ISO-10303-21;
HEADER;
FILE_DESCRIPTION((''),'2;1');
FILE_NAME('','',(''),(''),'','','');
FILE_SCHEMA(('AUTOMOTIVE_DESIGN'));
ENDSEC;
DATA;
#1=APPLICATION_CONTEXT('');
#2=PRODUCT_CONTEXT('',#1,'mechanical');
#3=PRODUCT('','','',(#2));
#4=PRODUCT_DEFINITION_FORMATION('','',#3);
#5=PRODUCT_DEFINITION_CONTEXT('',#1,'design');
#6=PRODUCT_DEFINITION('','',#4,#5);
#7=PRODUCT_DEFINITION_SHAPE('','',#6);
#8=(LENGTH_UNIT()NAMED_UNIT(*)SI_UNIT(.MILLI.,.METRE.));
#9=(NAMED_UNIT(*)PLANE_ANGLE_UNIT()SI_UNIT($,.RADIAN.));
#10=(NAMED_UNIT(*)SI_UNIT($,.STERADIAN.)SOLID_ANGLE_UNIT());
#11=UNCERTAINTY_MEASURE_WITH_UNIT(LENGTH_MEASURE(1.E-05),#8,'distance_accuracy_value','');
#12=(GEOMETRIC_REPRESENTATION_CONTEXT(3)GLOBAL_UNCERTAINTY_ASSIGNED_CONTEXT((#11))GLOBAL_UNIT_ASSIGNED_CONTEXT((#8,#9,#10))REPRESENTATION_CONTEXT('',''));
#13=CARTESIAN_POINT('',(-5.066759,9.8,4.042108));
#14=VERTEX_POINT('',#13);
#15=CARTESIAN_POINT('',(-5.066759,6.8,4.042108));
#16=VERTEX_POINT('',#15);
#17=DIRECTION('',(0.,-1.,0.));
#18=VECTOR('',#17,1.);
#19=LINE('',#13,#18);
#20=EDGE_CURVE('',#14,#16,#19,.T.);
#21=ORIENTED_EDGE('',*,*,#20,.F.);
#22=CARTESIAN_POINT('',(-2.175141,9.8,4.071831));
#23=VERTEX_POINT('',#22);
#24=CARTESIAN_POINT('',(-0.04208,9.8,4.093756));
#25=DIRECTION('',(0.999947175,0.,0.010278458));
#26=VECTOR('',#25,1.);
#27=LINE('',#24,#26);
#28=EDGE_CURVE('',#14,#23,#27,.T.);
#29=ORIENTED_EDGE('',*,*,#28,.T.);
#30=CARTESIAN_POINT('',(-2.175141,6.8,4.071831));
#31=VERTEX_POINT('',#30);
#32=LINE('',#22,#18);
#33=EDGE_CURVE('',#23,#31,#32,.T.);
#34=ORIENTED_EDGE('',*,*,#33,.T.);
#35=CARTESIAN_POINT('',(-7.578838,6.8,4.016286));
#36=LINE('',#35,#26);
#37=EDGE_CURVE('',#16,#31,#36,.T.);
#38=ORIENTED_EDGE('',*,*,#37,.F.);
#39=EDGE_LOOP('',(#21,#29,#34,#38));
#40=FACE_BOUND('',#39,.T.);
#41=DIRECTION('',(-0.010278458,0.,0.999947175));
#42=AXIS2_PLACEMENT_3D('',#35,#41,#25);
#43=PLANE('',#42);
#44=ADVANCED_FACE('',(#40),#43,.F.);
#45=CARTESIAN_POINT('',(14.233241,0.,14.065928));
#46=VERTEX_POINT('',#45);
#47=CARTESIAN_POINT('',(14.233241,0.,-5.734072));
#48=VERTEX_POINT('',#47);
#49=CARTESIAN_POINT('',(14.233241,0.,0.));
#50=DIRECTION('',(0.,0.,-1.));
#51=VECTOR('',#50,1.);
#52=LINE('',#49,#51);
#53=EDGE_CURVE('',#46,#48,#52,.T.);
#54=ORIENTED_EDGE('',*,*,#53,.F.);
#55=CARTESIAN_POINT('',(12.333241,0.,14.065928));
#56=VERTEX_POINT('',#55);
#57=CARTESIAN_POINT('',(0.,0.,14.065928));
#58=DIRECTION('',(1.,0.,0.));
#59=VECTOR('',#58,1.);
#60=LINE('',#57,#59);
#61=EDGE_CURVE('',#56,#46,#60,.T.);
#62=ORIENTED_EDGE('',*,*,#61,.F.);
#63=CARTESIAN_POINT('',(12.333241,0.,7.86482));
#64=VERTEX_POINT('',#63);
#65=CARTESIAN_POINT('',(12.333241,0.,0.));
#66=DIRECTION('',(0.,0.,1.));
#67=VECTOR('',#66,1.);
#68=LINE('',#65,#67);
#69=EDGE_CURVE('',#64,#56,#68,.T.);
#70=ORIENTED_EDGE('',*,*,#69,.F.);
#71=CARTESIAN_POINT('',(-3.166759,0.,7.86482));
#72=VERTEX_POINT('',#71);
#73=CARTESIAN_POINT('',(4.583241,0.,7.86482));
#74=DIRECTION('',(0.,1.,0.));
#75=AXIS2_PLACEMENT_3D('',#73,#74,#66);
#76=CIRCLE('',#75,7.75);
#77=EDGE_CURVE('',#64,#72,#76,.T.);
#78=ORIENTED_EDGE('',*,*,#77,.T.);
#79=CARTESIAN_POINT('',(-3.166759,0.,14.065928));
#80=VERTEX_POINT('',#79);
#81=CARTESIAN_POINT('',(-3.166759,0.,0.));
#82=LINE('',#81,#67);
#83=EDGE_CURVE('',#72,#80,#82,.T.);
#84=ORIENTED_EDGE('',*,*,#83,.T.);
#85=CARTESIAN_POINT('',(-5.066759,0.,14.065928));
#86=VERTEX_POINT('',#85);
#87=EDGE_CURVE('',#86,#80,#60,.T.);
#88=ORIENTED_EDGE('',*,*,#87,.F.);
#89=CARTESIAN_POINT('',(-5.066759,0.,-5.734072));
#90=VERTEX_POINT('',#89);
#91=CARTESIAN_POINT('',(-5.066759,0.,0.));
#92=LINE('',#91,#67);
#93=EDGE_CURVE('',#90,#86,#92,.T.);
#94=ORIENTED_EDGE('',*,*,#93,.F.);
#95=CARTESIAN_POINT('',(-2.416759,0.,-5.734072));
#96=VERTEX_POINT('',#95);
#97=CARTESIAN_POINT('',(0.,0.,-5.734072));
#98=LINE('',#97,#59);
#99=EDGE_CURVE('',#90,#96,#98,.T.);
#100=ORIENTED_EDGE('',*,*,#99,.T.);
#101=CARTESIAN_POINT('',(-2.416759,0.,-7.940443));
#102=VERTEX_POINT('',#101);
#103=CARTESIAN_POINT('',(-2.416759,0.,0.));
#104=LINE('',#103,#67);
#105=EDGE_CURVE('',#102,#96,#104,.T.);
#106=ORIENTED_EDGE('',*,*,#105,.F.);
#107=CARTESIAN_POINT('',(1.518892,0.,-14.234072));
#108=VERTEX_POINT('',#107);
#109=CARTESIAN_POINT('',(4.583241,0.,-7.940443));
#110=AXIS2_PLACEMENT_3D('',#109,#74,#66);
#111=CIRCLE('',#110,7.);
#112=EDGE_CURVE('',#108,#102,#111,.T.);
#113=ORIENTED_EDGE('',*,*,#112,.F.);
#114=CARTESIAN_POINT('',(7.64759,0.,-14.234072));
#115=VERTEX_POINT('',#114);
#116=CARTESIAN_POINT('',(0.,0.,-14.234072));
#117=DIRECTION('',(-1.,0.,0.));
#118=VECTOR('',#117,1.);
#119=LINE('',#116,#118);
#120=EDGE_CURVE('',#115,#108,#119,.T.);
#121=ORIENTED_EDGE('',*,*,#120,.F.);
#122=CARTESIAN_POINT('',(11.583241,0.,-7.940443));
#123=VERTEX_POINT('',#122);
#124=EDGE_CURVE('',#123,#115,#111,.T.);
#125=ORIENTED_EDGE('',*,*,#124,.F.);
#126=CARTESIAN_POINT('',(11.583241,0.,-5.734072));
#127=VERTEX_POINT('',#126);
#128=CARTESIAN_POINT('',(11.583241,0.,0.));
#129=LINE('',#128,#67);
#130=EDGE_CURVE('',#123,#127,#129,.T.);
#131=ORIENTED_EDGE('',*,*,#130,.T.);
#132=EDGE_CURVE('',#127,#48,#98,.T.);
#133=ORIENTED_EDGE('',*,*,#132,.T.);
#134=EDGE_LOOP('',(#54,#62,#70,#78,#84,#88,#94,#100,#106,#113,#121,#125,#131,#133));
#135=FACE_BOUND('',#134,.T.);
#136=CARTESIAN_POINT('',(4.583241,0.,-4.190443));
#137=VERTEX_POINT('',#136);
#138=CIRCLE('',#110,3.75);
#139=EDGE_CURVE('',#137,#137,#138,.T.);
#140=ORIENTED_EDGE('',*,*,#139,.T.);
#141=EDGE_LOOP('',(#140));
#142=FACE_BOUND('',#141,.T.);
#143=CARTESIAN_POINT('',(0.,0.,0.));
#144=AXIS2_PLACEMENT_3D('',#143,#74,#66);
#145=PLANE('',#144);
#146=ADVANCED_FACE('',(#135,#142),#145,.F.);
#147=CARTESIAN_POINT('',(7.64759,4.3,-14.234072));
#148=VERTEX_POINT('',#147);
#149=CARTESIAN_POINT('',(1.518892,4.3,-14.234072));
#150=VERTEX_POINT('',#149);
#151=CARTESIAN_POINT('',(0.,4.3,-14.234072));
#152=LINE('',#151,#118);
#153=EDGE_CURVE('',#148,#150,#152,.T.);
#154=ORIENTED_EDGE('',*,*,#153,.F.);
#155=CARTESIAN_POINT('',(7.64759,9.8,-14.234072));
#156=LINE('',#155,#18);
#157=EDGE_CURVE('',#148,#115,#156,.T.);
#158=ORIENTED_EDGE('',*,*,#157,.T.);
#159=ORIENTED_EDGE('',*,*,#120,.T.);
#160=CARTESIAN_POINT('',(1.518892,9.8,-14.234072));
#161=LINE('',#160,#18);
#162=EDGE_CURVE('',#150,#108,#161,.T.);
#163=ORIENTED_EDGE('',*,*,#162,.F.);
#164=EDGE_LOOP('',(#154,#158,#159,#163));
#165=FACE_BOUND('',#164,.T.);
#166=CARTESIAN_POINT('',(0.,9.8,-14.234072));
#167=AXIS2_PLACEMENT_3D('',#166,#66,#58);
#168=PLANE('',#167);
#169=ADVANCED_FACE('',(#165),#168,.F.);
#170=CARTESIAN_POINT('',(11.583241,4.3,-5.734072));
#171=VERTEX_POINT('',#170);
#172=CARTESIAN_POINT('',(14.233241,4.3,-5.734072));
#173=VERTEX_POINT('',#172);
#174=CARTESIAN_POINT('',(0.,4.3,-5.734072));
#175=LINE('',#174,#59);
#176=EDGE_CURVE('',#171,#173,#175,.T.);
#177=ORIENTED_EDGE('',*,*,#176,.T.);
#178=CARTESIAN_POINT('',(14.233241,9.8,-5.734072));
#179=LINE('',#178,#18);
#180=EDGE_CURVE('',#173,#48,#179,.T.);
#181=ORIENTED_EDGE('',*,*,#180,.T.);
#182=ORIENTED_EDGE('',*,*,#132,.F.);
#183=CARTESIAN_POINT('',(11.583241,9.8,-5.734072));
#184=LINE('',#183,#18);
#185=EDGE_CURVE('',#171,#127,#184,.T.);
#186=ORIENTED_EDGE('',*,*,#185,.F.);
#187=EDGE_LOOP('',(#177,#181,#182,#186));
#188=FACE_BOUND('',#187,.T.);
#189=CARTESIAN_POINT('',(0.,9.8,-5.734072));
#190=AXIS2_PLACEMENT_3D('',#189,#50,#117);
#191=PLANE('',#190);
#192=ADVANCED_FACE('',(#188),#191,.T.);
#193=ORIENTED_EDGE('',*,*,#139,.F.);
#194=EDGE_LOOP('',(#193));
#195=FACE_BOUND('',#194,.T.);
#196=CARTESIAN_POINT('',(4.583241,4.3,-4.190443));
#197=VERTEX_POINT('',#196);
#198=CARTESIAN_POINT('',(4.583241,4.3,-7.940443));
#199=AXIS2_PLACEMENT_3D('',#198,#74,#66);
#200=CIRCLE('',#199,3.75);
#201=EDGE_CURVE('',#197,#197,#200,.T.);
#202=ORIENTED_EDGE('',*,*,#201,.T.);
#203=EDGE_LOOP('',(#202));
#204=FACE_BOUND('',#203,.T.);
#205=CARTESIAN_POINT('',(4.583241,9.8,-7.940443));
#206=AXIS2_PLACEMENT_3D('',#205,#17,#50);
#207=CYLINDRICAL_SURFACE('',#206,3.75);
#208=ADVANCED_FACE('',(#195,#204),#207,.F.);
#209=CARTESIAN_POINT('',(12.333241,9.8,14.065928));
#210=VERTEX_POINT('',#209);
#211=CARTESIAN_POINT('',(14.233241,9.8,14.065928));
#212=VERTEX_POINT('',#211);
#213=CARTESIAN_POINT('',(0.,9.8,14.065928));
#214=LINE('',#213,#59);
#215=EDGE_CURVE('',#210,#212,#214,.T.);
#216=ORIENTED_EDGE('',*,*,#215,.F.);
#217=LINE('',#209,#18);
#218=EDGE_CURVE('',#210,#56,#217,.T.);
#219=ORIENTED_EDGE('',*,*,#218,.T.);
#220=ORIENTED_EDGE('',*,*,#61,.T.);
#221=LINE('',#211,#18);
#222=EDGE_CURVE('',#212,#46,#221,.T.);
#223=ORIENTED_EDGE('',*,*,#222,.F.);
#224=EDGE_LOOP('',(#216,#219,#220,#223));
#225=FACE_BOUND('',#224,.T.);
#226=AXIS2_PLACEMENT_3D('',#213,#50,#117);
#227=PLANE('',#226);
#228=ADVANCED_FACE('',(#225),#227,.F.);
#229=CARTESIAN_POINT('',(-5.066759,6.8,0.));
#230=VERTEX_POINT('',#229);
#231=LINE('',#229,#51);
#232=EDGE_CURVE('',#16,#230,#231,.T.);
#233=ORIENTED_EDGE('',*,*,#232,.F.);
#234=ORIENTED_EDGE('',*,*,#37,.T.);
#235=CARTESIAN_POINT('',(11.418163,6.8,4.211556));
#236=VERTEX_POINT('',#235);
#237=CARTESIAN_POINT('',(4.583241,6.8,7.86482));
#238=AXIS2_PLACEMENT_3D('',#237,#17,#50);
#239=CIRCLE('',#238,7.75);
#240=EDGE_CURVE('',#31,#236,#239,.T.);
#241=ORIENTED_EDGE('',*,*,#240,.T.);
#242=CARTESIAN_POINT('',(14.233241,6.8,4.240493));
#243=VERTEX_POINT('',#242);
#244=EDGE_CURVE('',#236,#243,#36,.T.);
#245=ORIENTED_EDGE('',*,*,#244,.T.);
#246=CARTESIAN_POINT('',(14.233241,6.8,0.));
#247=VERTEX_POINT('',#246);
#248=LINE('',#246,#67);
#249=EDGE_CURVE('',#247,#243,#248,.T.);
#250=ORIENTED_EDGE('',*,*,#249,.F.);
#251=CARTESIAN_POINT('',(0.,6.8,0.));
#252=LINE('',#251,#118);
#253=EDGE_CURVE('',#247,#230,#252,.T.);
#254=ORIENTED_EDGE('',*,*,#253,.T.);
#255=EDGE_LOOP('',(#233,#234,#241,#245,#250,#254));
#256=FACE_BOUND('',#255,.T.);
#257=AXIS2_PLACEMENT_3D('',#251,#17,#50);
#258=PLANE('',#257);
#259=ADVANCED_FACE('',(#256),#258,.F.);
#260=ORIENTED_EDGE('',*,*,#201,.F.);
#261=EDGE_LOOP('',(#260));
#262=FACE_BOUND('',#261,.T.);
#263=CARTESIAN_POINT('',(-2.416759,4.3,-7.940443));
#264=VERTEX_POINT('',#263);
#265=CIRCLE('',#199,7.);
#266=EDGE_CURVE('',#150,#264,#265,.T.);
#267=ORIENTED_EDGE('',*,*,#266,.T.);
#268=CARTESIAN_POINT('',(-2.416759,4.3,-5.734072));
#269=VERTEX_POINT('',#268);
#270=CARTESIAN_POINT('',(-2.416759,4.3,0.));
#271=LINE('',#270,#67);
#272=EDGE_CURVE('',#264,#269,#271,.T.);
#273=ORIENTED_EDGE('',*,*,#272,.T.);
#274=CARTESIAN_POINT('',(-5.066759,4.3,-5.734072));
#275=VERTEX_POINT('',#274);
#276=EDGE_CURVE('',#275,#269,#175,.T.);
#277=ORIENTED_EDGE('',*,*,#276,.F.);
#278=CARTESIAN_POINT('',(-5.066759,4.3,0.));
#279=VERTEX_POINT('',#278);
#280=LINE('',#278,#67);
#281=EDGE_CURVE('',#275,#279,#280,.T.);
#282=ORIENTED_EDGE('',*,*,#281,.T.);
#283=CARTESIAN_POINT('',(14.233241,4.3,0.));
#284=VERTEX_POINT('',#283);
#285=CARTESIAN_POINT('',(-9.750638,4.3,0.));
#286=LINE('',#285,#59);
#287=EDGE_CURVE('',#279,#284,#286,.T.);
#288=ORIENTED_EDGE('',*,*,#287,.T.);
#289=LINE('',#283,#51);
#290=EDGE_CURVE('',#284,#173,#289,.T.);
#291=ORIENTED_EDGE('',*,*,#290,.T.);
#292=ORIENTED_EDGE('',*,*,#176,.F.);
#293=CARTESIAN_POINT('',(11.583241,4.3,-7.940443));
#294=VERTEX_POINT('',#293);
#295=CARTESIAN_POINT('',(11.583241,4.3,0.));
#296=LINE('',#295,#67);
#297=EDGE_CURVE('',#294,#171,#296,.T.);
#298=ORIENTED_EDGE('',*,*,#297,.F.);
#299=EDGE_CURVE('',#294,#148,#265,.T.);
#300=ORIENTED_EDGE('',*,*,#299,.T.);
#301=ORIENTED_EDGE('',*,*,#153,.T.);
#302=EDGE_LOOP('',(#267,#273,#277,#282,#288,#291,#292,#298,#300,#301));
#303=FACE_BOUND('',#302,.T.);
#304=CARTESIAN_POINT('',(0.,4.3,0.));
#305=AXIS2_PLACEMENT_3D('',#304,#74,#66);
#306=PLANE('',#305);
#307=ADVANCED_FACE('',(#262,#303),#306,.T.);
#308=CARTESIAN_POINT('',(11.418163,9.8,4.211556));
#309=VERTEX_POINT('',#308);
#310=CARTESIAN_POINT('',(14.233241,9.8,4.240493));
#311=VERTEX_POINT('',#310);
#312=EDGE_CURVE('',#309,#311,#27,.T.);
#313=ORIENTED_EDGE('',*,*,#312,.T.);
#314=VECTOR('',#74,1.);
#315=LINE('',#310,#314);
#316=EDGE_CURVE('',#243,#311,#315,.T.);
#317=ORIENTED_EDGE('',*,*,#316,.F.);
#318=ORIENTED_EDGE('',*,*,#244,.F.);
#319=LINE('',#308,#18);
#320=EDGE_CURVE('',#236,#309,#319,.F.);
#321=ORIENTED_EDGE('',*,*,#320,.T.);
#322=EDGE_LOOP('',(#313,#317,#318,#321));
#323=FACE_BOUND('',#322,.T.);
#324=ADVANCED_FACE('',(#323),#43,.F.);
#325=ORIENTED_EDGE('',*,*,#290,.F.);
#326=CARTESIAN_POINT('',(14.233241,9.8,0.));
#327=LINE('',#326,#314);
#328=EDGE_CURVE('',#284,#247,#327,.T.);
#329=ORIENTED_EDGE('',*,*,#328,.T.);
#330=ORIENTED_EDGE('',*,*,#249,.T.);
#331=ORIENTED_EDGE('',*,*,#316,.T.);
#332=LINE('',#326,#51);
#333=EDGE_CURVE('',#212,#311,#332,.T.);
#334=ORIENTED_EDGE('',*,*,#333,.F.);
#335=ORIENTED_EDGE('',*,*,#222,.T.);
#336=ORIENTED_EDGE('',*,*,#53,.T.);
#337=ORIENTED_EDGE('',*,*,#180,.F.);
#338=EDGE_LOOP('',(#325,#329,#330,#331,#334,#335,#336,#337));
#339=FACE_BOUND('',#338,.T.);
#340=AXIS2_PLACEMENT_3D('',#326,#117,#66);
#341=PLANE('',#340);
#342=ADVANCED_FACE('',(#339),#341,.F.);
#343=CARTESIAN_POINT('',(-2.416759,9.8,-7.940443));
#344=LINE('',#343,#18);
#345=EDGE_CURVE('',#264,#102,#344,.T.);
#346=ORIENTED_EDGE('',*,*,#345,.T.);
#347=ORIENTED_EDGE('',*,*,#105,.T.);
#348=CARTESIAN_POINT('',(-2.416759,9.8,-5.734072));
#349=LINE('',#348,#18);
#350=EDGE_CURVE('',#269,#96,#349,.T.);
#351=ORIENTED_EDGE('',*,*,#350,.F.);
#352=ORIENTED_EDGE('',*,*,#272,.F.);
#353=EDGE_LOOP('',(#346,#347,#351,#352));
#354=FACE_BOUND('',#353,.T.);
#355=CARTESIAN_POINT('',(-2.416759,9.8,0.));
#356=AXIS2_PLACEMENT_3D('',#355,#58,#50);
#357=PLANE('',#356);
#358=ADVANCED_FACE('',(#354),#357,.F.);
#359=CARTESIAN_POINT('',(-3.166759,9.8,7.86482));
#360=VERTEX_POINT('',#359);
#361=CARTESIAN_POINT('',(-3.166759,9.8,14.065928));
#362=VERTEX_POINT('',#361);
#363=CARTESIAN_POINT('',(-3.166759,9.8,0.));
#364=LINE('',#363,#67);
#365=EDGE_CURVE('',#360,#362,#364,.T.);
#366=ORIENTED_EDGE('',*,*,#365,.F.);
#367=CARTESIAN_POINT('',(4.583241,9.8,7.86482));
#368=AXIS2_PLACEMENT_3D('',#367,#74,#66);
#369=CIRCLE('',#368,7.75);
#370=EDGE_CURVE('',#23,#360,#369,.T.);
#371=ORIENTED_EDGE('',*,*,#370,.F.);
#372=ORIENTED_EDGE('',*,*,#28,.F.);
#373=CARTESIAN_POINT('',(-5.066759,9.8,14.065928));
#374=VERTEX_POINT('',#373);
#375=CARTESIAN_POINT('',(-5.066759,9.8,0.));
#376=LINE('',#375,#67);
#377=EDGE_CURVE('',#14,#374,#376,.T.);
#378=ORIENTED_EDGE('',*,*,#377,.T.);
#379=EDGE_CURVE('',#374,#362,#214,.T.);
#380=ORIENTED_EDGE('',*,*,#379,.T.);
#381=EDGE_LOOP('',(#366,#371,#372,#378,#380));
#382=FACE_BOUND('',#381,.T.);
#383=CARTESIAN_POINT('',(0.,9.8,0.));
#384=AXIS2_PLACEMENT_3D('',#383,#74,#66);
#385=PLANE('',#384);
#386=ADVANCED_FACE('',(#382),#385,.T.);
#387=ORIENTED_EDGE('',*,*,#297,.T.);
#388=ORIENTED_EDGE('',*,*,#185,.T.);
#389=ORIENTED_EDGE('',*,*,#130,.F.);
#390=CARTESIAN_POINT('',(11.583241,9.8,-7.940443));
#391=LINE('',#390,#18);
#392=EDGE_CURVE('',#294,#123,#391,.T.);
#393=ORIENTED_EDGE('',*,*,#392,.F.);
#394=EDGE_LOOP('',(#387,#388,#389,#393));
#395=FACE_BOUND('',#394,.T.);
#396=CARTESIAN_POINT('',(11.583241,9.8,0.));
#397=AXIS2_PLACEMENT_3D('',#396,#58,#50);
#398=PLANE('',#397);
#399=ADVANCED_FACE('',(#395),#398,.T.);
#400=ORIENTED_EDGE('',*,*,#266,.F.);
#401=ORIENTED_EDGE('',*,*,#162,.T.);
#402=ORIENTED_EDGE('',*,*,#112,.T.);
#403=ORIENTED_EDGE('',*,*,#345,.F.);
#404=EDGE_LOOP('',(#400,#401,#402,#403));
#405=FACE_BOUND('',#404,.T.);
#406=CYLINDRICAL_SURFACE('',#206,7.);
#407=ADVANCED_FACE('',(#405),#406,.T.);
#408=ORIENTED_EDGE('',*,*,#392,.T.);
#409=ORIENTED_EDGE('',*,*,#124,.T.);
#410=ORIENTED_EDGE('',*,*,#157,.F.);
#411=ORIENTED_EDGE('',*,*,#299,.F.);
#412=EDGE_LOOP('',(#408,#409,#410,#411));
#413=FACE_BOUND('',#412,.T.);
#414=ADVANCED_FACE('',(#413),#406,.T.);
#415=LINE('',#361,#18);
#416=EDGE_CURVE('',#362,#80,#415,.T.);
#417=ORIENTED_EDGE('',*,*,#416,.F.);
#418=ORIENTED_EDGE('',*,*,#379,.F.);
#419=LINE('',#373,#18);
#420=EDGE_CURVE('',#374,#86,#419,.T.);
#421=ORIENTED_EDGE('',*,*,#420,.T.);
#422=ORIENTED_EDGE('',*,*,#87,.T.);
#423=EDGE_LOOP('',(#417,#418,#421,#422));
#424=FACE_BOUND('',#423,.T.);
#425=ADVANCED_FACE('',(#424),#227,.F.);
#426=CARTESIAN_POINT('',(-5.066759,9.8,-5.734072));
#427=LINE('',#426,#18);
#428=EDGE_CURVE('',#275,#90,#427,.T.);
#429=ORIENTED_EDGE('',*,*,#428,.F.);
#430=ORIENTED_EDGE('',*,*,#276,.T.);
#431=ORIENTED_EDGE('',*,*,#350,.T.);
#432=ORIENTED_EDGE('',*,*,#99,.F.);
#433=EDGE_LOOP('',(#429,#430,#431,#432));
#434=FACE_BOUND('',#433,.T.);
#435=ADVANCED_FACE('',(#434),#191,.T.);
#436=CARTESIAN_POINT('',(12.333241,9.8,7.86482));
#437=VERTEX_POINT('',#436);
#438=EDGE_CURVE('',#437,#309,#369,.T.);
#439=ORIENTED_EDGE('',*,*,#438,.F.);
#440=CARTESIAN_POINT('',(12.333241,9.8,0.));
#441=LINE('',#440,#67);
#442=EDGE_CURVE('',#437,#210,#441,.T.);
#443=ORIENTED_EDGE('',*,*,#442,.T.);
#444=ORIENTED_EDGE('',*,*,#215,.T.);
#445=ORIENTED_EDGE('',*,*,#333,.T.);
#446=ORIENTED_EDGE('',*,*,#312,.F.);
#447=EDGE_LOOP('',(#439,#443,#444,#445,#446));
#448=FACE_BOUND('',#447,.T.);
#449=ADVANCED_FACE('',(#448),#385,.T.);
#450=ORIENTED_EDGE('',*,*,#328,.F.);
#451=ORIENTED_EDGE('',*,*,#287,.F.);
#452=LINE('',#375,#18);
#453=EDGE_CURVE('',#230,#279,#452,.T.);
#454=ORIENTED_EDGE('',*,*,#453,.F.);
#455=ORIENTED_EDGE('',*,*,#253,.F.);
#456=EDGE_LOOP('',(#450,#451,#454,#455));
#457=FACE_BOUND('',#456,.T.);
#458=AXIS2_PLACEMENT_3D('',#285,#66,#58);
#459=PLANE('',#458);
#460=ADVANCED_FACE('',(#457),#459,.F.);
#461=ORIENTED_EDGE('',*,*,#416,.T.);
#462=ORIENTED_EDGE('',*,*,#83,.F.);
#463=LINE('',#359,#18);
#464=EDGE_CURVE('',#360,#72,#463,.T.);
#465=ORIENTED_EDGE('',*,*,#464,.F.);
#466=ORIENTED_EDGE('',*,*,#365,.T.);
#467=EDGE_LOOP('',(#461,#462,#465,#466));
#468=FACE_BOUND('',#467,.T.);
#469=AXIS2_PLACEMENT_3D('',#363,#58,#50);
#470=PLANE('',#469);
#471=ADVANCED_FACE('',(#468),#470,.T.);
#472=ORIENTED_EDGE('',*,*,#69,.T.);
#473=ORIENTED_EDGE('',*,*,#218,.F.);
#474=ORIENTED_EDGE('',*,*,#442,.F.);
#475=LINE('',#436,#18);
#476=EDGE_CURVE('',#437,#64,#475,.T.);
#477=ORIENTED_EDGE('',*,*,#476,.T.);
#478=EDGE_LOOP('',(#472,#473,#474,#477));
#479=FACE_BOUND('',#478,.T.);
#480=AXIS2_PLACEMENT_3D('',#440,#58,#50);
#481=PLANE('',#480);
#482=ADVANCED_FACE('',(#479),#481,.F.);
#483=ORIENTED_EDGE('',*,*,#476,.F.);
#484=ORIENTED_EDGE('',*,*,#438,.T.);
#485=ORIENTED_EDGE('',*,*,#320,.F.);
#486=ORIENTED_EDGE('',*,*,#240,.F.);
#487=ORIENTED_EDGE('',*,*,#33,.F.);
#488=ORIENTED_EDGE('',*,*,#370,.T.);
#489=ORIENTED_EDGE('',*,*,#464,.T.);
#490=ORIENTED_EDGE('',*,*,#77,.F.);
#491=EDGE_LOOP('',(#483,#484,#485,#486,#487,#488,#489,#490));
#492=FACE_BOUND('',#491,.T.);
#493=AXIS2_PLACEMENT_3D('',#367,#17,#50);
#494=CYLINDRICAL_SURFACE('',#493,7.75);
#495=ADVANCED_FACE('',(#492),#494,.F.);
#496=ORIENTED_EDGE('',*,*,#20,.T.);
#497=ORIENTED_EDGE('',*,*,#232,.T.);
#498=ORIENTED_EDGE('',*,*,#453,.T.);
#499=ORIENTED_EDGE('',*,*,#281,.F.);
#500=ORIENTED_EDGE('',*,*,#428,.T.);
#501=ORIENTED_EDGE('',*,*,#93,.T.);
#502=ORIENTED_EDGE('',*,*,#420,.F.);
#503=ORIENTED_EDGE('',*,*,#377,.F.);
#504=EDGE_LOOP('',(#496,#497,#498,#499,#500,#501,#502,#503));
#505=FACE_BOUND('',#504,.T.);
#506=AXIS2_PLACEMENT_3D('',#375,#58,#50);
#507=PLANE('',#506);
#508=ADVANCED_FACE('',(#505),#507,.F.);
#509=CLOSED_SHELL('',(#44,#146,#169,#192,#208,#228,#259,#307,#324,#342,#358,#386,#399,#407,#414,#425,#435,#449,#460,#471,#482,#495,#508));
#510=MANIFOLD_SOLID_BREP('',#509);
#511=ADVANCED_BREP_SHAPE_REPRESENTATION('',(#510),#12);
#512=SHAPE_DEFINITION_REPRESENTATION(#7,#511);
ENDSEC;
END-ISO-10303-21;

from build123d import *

# Parameters (mm, degrees)
EXTRUDE_2_DEPTH     = 9.8
CUT_EXTRUDE_1_DEPTH = 3
CUT_EXTRUDE_2_DEPTH = 2.5


with BuildPart() as part:
    # 草图1 → 凸台-拉伸2 (new body)
    with BuildSketch(Plane(origin=(0, 0, 0), x_dir=(1, 0, 0), z_dir=(0, 1, 0))):
        with BuildLine():
            Line((4.583240997, 11.690443213), (4.583240997, 14.234072022))
            Line((4.583240997, 14.234072022), (1.518891733, 14.234072022))
            ThreePointArc((1.518891733, 14.234072022), (-1.351843031, 11.65188196), (-2.416759003, 7.940443213))
            Line((-2.416759003, 7.940443213), (-2.416759003, 5.734072022))
            Line((-2.416759003, 5.734072022), (-5.066759003, 5.734072022))
            Line((-5.066759003, 5.734072022), (-5.066759003, -14.065927978))
            Line((-5.066759003, -14.065927978), (-3.166759003, -14.065927978))
            Line((-3.166759003, -14.065927978), (-3.166759003, -7.864819945))
            ThreePointArc((-3.166759003, -7.864819945), (-0.896836557, -2.38474239), (4.583240997, -0.114819945))
            Line((4.583240997, -0.114819945), (4.583240997, 4.190443213))
            ThreePointArc((4.583240997, 4.190443213), (0.833240997, 7.940443213), (4.583240997, 11.690443213))
        make_face()
        with BuildLine():
            ThreePointArc((11.583240997, 7.940443213), (10.518325026, 11.65188196), (7.647590262, 14.234072022))
            Line((7.647590262, 14.234072022), (4.583240997, 14.234072022))
            Line((4.583240997, 14.234072022), (4.583240997, 11.690443213))
            ThreePointArc((4.583240997, 11.690443213), (7.234891427, 10.592093643), (8.333240997, 7.940443213))
            ThreePointArc((8.333240997, 7.940443213), (7.234891427, 5.288792784), (4.583240997, 4.190443213))
            Line((4.583240997, 4.190443213), (4.583240997, -0.114819945))
            ThreePointArc((4.583240997, -0.114819945), (10.063318551, -2.38474239), (12.333240997, -7.864819945))
            Line((12.333240997, -7.864819945), (12.333240997, -14.065927978))
            Line((12.333240997, -14.065927978), (14.233240997, -14.065927978))
            Line((14.233240997, -14.065927978), (14.233240997, 5.734072022))
            Line((14.233240997, 5.734072022), (11.583240997, 5.734072022))
            Line((11.583240997, 5.734072022), (11.583240997, 7.940443213))
        make_face()
    extrude(amount=EXTRUDE_2_DEPTH)

    # 草图2 → 切除-拉伸1 (cut)
    with BuildSketch(Plane(origin=(0, 9.8, 0), x_dir=(1, 0, 0), z_dir=(0, 1, 0))):
        Polygon((-7.578838201, -4.016286107), (16.085093039, -4.259527691), (16.085093039, 14.991306239), (-7.578838201, 14.991306239), align=None)
    extrude(amount=-CUT_EXTRUDE_1_DEPTH, mode=Mode.SUBTRACT)

    # 草图3 → 切除-拉伸2 (cut)
    with BuildSketch(Plane(origin=(0, 6.8, 0), x_dir=(1, 0, 0), z_dir=(0, 1, 0))):
        Polygon((-9.750638057, 0), (19.90166932, 0), (19.90166932, 15.470839647), (-9.750638057, 15.762729548), align=None)
    extrude(amount=-CUT_EXTRUDE_2_DEPTH, mode=Mode.SUBTRACT)


solid = part.part
